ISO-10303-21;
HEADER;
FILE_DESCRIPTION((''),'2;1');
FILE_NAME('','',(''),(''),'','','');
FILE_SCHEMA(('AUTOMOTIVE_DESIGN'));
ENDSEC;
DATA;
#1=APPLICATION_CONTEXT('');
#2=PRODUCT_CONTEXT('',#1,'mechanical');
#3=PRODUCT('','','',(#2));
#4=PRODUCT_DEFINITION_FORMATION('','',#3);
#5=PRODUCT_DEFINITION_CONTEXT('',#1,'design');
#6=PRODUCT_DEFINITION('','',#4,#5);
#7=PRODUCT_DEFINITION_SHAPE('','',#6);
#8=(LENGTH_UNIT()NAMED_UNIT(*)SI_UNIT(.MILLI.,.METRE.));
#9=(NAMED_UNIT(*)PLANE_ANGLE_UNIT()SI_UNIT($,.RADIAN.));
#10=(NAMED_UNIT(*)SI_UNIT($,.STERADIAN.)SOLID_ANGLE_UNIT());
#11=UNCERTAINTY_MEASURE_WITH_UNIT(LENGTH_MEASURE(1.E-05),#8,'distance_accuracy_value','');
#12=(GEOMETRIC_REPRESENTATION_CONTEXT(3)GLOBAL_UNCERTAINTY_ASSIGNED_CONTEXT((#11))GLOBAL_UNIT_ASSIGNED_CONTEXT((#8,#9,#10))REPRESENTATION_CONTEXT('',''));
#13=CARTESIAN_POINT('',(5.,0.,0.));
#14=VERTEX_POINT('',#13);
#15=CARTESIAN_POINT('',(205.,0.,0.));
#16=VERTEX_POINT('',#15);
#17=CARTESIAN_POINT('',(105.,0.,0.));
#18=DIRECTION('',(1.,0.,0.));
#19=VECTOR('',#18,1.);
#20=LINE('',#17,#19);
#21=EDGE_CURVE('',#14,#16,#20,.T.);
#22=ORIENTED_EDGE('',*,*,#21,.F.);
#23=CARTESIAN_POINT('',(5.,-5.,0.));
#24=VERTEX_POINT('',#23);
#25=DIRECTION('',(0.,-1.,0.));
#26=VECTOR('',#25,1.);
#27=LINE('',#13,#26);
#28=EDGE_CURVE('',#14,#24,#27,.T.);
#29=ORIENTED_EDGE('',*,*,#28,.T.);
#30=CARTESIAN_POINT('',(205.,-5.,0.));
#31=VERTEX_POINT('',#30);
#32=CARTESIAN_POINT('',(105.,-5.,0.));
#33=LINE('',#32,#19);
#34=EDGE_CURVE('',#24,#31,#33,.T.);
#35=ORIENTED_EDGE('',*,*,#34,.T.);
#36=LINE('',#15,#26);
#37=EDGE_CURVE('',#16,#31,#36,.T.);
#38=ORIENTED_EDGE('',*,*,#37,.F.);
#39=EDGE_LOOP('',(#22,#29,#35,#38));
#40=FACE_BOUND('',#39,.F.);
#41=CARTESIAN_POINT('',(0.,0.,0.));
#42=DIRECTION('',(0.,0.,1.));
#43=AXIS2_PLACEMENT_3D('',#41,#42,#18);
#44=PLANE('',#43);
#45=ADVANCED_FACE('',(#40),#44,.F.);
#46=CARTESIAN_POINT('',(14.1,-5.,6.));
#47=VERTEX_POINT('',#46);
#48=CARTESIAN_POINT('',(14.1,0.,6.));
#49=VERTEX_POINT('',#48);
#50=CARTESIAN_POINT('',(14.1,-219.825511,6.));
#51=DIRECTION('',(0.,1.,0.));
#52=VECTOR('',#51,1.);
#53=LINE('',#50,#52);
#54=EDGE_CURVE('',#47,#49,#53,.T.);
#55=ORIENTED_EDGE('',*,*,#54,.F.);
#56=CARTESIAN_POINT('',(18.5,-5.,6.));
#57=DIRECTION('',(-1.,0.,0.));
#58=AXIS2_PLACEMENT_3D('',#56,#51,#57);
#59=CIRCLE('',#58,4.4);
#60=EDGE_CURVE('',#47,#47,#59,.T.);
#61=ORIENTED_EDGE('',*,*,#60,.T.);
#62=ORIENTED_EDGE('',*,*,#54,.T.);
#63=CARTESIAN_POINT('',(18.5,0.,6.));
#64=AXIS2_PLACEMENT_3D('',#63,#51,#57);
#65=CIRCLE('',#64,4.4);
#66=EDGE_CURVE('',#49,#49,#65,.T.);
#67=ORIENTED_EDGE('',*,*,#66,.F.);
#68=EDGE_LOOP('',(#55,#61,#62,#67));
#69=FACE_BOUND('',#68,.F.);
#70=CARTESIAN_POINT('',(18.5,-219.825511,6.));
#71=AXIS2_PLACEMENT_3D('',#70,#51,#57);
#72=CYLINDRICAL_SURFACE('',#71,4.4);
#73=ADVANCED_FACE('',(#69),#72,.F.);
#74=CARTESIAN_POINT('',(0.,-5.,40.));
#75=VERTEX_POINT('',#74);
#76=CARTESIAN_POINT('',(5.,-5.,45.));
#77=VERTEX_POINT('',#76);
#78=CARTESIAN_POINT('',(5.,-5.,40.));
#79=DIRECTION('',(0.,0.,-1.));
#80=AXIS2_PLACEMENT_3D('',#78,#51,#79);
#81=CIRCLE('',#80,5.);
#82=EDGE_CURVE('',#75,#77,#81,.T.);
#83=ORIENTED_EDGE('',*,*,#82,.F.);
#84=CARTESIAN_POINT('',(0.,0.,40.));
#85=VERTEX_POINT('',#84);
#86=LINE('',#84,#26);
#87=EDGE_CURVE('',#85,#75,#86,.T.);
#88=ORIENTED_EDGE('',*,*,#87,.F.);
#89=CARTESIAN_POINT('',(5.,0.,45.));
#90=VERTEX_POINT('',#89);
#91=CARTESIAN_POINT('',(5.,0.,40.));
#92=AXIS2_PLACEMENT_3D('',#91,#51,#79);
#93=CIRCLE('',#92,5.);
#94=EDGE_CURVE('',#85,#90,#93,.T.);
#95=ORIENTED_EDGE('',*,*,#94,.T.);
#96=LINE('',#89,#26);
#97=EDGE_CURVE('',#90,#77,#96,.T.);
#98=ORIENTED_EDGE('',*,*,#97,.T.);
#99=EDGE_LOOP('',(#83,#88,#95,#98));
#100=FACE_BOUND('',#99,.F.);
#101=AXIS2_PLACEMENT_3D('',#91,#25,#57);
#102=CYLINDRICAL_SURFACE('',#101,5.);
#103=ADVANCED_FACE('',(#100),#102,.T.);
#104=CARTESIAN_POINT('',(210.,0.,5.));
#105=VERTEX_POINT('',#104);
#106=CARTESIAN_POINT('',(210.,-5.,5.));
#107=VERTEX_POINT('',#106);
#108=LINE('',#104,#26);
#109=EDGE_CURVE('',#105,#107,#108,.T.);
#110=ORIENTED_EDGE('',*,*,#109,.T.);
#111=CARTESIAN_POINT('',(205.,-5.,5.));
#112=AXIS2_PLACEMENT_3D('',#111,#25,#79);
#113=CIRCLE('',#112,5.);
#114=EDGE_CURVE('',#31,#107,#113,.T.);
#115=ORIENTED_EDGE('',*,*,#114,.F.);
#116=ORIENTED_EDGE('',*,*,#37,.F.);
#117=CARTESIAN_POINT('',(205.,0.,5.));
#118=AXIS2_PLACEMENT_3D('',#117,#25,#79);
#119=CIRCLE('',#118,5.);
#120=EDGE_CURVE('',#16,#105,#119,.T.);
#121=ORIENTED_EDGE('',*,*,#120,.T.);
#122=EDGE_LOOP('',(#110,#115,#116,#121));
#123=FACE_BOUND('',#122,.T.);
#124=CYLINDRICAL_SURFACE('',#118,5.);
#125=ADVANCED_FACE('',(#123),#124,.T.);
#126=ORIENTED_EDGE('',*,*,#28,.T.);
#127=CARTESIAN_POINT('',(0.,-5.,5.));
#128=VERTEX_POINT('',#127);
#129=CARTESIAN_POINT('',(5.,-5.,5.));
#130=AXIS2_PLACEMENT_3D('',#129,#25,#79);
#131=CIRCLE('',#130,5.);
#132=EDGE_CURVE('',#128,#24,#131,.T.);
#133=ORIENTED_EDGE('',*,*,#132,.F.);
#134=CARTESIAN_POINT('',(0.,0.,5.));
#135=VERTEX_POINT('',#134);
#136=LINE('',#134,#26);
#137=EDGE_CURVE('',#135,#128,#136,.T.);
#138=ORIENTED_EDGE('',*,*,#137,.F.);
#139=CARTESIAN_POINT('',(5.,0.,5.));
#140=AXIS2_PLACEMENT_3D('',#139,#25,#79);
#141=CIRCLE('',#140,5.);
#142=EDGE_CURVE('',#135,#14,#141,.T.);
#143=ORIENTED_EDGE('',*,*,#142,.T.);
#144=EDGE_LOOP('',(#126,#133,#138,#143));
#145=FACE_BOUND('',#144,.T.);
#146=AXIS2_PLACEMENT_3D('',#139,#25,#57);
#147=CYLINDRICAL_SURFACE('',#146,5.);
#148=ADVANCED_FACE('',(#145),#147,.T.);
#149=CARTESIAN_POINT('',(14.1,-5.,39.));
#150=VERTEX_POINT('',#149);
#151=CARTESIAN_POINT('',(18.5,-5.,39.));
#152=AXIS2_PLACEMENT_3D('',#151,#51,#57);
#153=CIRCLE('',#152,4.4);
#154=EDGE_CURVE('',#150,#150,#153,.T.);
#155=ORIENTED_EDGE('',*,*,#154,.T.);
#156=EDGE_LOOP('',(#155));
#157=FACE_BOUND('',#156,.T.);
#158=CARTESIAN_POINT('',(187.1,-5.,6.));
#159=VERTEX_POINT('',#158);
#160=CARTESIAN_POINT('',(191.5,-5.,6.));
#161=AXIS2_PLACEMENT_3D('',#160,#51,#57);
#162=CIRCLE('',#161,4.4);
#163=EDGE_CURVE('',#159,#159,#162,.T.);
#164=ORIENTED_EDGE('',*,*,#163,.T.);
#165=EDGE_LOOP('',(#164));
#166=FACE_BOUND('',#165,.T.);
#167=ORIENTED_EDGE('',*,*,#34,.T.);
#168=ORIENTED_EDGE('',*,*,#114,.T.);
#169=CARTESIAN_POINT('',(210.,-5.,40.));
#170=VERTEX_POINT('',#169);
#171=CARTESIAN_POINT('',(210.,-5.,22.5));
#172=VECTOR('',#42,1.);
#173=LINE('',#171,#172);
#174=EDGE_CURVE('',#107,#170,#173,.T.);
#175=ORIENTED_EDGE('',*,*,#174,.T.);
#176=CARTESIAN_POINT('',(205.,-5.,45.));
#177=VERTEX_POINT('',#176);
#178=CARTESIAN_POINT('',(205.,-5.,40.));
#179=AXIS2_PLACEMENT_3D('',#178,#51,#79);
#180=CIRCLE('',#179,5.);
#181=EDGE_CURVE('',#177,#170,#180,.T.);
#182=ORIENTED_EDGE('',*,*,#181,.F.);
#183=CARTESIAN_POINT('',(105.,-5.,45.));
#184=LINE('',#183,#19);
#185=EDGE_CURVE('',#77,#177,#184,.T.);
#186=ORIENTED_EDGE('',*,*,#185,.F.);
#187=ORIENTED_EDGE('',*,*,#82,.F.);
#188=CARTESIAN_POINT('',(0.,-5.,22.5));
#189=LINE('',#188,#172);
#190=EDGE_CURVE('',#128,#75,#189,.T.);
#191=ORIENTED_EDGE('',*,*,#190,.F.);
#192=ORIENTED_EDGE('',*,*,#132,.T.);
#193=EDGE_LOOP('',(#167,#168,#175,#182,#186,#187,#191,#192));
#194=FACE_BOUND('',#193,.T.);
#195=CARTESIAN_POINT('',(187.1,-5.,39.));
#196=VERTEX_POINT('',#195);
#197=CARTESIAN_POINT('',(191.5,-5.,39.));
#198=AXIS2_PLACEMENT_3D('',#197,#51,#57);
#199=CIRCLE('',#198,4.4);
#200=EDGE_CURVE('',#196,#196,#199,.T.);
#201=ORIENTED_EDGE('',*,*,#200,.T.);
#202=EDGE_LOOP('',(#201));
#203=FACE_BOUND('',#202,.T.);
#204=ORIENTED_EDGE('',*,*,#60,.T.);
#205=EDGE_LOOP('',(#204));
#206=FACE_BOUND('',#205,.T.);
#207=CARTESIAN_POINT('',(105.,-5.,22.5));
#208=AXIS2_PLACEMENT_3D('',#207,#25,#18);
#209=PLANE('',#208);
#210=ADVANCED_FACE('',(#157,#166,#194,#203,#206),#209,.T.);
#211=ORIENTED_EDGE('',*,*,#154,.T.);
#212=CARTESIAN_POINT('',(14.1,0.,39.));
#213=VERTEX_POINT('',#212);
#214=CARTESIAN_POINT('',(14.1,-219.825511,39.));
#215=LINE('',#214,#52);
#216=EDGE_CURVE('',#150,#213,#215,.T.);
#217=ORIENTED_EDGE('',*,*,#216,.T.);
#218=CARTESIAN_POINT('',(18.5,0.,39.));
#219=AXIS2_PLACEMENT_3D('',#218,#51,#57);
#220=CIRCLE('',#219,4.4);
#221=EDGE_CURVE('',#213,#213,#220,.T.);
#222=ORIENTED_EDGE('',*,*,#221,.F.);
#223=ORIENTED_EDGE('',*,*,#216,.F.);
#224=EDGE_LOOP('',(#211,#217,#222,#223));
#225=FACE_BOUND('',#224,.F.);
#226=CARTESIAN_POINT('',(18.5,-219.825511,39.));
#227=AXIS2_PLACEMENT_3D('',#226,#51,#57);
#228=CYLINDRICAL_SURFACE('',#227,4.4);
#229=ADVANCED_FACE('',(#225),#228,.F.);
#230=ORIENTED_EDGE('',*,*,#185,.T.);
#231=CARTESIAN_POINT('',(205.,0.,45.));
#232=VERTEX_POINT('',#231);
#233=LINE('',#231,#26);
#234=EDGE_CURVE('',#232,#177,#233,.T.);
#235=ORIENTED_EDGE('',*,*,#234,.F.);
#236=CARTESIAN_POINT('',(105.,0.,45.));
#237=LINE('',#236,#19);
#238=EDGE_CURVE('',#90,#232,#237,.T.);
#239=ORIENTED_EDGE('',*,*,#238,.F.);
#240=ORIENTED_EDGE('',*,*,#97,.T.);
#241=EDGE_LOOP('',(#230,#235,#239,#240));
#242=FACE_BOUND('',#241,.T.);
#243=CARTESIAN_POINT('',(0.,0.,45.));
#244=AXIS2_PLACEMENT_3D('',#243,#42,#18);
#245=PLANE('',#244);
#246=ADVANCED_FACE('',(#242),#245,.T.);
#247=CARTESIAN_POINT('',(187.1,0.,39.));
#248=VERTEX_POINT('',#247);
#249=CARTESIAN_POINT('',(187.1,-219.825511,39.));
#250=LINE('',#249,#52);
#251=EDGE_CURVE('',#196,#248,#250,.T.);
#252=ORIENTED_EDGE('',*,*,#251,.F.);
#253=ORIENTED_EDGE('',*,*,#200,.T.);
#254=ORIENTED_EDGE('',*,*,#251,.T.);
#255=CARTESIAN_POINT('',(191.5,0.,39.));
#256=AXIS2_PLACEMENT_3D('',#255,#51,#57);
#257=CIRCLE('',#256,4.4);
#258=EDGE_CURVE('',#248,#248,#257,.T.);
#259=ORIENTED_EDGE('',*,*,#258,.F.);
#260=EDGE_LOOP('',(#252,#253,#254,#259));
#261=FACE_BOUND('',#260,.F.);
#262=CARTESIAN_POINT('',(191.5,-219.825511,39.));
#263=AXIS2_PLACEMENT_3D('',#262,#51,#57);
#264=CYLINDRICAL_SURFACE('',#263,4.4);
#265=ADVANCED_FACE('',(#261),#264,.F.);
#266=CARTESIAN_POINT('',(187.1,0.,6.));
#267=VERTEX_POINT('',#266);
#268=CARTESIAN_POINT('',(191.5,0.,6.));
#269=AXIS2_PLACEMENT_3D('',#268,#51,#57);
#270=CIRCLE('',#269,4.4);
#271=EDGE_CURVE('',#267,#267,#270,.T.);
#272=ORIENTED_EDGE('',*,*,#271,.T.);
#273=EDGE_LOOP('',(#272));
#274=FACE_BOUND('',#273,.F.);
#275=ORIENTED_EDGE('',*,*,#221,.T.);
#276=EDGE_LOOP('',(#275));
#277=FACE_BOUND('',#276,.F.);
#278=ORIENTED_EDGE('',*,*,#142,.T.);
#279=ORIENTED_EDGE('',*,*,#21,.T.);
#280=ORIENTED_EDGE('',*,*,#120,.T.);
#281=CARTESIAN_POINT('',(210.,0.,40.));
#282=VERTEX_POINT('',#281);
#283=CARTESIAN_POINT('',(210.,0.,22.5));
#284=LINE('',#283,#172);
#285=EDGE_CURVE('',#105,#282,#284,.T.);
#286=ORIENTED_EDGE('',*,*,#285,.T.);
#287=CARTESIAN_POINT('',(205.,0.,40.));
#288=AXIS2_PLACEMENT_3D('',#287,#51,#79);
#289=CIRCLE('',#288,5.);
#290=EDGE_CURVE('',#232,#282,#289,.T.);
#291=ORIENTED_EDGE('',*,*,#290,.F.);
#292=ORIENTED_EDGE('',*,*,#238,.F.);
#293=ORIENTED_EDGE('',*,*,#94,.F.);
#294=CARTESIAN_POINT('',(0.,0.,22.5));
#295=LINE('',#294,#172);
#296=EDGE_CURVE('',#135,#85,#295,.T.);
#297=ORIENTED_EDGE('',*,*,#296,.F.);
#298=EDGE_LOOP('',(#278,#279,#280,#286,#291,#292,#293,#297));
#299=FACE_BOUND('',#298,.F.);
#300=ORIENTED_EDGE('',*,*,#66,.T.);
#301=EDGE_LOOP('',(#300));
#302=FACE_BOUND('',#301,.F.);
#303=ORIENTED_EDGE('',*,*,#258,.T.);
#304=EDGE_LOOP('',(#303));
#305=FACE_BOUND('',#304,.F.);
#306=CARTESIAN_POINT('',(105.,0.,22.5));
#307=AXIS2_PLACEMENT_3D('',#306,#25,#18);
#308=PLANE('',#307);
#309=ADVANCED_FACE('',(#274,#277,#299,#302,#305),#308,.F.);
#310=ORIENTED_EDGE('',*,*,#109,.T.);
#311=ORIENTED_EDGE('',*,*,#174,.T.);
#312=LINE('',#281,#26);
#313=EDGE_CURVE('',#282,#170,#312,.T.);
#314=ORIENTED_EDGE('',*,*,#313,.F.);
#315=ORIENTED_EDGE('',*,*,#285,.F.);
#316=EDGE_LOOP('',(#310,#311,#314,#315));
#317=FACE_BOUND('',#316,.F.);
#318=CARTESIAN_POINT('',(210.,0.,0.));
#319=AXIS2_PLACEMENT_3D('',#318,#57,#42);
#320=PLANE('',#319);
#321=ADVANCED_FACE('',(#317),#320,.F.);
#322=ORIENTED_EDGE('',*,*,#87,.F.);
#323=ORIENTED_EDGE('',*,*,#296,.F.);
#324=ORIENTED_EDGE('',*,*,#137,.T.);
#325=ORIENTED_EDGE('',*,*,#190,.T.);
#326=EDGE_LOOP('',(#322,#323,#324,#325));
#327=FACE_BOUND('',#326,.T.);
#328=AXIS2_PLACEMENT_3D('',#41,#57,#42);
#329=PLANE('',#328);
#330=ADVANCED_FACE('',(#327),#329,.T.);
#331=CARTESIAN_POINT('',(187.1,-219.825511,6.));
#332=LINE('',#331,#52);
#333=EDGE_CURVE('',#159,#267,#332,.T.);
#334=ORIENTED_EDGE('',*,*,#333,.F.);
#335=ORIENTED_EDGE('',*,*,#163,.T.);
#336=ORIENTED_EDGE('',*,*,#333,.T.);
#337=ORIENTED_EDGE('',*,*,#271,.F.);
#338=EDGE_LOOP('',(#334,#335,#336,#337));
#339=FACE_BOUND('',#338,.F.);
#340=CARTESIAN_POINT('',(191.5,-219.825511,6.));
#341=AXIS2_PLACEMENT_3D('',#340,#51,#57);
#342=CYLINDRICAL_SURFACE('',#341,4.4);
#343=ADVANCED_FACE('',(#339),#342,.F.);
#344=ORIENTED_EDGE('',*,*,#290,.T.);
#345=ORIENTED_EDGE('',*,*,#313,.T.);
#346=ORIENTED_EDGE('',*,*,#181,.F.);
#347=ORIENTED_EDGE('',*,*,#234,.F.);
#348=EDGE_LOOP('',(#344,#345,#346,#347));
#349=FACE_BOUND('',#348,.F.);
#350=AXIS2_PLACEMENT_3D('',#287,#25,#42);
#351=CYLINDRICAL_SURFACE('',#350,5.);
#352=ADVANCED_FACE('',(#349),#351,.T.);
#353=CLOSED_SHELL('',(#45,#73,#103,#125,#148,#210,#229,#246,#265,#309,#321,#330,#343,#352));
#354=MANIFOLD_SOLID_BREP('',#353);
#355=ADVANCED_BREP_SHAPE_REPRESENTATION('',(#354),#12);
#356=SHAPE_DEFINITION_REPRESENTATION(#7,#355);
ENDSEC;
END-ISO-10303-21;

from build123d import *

# Parameters (mm, degrees)
F0_W     = 210
F0_H     = 45
F1_DEPTH = 5
F3_D     = 8.8
F4_R     = 5


with BuildPart() as f1:
    # F0 (on Front) → F1 (new body)
    with BuildSketch(Plane.XZ):
        with Locations((105, 22.5)):
            Rectangle(F0_W, F0_H)
    extrude(amount=F1_DEPTH)

    # F3 (through all)
    with Locations(Plane.XZ.offset(5)):
        with Locations((18.5, 39), (18.5, 6), (191.5, 39), (191.5, 6)):
            Hole(F3_D / 2)

    # F4
    f4_edges = [f1.edges().sort_by_distance(p)[0] for p in [
        (0, -2.5, 45),
        (0, -2.5, 0),
        (210, -2.5, 0),
        (210, -2.5, 45),
    ]]
    fillet(f4_edges, radius=F4_R)


solid = f1.part
